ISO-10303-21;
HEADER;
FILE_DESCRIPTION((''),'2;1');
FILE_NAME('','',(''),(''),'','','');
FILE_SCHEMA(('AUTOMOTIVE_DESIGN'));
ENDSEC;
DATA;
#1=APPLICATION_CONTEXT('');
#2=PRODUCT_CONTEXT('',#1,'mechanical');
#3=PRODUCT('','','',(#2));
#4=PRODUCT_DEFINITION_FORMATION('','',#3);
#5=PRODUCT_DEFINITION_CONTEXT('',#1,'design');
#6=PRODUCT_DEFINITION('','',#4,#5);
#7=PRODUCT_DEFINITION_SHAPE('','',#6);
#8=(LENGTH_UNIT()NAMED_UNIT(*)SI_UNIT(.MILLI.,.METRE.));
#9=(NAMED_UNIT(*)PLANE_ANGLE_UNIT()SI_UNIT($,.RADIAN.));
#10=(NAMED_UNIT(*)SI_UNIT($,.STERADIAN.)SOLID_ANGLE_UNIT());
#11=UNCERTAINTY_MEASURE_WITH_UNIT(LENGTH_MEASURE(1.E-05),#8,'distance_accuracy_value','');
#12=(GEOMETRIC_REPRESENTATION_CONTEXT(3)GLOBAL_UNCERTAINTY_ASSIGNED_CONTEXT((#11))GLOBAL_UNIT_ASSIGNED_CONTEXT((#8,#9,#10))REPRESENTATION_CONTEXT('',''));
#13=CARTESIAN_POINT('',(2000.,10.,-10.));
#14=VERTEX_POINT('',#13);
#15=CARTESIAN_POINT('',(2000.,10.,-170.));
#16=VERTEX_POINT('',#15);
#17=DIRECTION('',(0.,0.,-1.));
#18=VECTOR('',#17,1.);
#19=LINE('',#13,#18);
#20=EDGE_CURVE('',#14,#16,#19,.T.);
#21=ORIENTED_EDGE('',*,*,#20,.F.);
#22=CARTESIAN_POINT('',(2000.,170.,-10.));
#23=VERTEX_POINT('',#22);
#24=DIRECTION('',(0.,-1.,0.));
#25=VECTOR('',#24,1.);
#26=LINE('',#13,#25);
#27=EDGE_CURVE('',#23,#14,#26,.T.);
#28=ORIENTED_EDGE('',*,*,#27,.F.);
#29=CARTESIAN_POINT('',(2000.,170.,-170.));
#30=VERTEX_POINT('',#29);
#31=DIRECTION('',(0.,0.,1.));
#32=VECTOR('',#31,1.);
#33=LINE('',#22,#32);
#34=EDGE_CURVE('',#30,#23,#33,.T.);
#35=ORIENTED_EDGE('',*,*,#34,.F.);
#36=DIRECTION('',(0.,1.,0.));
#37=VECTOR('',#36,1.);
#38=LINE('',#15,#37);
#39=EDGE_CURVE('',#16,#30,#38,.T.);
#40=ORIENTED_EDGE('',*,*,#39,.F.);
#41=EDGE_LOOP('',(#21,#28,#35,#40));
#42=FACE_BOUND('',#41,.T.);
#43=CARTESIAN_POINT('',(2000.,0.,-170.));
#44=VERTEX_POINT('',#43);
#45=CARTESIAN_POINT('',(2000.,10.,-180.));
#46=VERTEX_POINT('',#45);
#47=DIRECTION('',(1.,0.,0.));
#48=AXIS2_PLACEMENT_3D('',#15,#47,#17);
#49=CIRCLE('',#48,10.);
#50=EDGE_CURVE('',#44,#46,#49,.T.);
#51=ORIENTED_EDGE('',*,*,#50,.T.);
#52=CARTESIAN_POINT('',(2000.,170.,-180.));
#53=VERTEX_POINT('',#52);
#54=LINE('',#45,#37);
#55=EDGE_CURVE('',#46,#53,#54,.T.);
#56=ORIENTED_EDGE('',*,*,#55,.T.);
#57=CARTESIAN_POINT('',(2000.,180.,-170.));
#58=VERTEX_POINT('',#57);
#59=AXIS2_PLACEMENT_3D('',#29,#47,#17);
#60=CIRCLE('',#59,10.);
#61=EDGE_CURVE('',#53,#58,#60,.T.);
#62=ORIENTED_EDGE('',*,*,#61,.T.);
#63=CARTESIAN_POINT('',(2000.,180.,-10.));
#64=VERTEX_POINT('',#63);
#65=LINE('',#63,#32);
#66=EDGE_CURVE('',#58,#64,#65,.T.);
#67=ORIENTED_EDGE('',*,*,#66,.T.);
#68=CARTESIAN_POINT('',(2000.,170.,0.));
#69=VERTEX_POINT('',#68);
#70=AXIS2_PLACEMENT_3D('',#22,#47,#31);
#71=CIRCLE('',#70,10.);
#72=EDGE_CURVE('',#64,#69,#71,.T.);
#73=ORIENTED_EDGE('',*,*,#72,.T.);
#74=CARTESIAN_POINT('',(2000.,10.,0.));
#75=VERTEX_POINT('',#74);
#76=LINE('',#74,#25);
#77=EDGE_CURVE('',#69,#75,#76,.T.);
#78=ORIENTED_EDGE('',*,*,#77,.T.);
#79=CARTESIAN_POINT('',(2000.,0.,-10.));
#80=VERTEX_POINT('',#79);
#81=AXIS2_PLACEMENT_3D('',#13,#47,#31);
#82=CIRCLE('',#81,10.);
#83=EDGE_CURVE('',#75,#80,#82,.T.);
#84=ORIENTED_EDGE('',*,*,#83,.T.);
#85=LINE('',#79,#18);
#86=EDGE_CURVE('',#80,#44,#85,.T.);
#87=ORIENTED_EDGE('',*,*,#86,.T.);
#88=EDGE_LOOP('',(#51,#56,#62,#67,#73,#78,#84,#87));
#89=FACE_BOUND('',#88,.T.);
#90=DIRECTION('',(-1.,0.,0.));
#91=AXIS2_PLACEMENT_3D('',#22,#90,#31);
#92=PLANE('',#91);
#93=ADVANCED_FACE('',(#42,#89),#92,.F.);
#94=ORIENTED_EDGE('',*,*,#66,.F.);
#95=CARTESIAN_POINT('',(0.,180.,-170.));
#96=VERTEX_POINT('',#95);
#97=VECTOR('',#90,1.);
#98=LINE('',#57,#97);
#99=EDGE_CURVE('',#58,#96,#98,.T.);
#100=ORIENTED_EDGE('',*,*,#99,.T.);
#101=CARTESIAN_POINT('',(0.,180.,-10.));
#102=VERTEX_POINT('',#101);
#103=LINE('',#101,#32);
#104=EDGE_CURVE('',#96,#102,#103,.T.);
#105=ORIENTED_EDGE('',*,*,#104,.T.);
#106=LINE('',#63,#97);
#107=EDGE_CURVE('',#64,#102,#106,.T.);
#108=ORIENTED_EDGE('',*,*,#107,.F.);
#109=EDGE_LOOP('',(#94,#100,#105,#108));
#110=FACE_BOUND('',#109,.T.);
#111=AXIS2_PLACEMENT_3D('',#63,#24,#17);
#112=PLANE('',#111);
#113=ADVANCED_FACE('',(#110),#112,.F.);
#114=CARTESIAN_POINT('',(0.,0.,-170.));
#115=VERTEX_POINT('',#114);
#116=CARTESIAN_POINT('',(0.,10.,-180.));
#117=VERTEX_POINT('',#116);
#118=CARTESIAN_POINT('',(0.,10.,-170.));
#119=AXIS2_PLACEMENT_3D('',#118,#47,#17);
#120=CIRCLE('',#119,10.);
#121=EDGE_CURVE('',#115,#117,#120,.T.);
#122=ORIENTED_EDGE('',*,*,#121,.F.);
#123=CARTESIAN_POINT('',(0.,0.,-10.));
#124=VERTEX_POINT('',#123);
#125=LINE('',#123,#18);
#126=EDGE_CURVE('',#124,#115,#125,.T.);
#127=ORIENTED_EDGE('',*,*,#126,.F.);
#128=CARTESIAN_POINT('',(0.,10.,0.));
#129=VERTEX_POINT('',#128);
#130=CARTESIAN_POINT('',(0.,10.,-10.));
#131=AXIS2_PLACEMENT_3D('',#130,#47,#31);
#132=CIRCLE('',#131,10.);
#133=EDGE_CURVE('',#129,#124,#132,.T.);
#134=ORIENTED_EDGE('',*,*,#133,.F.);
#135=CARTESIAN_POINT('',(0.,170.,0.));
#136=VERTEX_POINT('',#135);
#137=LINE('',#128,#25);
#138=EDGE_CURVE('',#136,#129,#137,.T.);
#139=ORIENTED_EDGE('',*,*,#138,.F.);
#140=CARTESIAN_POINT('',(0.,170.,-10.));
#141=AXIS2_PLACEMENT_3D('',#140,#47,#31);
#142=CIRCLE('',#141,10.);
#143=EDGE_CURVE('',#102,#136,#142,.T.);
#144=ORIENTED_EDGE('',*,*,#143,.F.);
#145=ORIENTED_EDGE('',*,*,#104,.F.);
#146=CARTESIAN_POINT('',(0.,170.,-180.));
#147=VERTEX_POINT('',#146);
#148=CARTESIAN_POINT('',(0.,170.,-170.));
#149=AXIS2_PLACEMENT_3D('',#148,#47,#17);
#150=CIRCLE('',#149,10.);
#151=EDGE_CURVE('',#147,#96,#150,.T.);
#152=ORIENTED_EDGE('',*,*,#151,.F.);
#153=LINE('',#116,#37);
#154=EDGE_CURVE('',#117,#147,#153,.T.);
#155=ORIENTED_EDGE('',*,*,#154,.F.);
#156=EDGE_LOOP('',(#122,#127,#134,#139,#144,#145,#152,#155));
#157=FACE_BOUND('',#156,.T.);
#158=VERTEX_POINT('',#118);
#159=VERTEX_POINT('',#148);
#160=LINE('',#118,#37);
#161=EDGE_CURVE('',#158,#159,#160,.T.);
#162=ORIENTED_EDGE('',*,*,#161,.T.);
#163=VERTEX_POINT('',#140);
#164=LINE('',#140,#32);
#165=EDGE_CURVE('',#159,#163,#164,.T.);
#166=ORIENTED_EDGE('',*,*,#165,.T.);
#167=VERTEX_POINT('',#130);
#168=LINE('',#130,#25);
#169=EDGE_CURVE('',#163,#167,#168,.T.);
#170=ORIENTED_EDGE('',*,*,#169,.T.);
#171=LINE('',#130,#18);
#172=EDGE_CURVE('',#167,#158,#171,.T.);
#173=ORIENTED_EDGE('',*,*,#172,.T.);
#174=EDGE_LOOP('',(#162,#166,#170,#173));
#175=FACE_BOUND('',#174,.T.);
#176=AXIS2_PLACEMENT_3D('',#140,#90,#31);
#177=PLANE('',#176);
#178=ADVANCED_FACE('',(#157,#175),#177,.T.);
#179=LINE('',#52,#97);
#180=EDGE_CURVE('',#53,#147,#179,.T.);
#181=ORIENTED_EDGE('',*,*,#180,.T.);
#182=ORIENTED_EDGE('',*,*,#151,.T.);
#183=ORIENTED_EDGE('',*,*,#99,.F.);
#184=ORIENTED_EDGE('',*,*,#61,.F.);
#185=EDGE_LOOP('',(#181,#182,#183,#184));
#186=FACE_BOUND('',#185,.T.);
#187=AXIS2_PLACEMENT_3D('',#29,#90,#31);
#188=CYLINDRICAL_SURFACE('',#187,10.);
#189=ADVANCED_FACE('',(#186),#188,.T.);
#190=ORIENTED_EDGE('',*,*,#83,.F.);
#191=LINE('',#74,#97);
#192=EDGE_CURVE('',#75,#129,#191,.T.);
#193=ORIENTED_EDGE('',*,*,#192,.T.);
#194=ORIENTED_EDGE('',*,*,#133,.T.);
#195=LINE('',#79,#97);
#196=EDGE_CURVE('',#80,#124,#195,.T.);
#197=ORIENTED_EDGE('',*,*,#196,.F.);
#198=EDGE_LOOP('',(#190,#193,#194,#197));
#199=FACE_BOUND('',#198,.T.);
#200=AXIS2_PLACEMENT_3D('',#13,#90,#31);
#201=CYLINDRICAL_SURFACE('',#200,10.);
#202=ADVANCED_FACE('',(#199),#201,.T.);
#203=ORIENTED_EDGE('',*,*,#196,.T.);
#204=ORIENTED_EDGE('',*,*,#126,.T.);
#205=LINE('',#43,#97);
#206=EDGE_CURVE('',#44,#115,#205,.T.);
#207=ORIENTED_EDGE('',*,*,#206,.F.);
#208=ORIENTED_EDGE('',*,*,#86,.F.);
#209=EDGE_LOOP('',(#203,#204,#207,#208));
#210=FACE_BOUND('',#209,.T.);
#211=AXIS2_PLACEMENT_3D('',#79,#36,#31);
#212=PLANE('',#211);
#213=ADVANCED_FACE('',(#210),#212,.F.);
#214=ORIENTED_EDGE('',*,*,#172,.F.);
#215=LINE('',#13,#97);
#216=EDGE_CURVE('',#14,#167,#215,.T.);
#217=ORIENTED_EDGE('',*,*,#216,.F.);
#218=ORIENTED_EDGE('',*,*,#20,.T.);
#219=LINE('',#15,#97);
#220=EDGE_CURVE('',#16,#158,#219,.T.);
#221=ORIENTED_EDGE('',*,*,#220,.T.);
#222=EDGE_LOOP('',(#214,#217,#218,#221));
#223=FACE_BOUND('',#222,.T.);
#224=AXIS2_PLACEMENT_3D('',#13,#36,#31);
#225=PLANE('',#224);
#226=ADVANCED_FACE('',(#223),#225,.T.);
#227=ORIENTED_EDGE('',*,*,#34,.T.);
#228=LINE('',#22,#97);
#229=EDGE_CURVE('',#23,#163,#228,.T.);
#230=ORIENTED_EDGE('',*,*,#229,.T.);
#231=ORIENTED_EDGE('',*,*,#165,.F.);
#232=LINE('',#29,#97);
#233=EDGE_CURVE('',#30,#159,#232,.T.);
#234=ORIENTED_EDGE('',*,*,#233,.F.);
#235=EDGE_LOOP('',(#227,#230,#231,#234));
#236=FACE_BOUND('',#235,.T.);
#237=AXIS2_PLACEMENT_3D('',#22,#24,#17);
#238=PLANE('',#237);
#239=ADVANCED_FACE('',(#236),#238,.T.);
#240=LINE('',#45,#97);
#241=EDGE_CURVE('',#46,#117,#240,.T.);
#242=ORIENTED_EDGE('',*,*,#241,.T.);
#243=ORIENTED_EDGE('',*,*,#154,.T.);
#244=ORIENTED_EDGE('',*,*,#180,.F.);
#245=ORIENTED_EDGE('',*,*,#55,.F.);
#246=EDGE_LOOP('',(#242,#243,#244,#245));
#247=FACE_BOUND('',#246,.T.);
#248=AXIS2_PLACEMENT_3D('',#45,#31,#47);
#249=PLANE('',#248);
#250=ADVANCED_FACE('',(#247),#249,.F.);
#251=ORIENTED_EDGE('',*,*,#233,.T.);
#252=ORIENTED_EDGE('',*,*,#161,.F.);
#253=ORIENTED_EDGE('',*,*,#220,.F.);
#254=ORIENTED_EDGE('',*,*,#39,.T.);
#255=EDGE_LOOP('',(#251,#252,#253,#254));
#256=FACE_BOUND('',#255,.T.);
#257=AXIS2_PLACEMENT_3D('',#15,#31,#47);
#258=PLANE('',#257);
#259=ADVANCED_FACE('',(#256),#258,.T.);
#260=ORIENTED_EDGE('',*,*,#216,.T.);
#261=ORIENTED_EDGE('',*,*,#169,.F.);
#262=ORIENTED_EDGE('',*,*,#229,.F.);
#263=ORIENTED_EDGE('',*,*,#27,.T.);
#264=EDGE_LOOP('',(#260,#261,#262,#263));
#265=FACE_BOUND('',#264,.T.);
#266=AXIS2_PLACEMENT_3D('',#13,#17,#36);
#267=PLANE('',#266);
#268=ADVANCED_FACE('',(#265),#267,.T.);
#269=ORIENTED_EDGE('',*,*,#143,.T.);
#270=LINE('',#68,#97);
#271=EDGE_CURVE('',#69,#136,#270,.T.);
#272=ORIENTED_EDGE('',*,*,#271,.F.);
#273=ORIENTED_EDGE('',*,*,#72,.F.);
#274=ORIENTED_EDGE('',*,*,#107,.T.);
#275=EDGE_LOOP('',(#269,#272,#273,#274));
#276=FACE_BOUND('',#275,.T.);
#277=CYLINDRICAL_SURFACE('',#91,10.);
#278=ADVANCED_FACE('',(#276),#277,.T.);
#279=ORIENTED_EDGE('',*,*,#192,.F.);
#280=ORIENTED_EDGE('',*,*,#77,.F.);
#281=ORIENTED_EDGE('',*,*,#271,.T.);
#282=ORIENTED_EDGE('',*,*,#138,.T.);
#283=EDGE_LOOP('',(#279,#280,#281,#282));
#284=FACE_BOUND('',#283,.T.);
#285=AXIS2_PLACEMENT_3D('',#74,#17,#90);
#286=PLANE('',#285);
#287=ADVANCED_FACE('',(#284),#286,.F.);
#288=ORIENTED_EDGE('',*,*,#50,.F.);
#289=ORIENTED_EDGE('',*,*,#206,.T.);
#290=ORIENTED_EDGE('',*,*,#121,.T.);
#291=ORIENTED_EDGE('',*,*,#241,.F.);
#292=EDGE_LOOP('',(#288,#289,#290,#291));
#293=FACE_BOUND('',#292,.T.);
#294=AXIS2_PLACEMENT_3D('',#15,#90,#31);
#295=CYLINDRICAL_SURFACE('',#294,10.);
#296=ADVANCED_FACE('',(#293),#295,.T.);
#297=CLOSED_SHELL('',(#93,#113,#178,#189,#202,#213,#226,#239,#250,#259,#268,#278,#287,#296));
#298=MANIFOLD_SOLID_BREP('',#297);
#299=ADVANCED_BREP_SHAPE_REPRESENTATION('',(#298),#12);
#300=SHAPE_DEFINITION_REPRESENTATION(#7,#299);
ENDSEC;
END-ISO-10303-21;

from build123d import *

# Parameters (mm, degrees)
SKETCH1_W      = 160
SKETCH1_H      = 160
EXTRUDE1_DEPTH = 2000


with BuildPart() as part:
    # Sketch1 → Extrude1 (new body)
    with BuildSketch(Plane(origin=(0, 0, 0), x_dir=(0, 0, -1), z_dir=(1, 0, 0))):
        with BuildLine():
            Line((10, 0), (170, 0))
            ThreePointArc((170, 0), (177.071067812, 2.928932188), (180, 10))
            Line((180, 10), (180, 170))
            ThreePointArc((180, 170), (177.071067812, 177.071067812), (170, 180))
            Line((170, 180), (10, 180))
            ThreePointArc((10, 180), (2.928932188, 177.071067812), (0, 170))
            Line((0, 170), (0, 10))
            ThreePointArc((0, 10), (2.928932188, 2.928932188), (10, 0))
        make_face()
        with Locations((90, 90)):
            Rectangle(SKETCH1_W, SKETCH1_H, mode=Mode.SUBTRACT)
    extrude(amount=EXTRUDE1_DEPTH)


solid = part.part
